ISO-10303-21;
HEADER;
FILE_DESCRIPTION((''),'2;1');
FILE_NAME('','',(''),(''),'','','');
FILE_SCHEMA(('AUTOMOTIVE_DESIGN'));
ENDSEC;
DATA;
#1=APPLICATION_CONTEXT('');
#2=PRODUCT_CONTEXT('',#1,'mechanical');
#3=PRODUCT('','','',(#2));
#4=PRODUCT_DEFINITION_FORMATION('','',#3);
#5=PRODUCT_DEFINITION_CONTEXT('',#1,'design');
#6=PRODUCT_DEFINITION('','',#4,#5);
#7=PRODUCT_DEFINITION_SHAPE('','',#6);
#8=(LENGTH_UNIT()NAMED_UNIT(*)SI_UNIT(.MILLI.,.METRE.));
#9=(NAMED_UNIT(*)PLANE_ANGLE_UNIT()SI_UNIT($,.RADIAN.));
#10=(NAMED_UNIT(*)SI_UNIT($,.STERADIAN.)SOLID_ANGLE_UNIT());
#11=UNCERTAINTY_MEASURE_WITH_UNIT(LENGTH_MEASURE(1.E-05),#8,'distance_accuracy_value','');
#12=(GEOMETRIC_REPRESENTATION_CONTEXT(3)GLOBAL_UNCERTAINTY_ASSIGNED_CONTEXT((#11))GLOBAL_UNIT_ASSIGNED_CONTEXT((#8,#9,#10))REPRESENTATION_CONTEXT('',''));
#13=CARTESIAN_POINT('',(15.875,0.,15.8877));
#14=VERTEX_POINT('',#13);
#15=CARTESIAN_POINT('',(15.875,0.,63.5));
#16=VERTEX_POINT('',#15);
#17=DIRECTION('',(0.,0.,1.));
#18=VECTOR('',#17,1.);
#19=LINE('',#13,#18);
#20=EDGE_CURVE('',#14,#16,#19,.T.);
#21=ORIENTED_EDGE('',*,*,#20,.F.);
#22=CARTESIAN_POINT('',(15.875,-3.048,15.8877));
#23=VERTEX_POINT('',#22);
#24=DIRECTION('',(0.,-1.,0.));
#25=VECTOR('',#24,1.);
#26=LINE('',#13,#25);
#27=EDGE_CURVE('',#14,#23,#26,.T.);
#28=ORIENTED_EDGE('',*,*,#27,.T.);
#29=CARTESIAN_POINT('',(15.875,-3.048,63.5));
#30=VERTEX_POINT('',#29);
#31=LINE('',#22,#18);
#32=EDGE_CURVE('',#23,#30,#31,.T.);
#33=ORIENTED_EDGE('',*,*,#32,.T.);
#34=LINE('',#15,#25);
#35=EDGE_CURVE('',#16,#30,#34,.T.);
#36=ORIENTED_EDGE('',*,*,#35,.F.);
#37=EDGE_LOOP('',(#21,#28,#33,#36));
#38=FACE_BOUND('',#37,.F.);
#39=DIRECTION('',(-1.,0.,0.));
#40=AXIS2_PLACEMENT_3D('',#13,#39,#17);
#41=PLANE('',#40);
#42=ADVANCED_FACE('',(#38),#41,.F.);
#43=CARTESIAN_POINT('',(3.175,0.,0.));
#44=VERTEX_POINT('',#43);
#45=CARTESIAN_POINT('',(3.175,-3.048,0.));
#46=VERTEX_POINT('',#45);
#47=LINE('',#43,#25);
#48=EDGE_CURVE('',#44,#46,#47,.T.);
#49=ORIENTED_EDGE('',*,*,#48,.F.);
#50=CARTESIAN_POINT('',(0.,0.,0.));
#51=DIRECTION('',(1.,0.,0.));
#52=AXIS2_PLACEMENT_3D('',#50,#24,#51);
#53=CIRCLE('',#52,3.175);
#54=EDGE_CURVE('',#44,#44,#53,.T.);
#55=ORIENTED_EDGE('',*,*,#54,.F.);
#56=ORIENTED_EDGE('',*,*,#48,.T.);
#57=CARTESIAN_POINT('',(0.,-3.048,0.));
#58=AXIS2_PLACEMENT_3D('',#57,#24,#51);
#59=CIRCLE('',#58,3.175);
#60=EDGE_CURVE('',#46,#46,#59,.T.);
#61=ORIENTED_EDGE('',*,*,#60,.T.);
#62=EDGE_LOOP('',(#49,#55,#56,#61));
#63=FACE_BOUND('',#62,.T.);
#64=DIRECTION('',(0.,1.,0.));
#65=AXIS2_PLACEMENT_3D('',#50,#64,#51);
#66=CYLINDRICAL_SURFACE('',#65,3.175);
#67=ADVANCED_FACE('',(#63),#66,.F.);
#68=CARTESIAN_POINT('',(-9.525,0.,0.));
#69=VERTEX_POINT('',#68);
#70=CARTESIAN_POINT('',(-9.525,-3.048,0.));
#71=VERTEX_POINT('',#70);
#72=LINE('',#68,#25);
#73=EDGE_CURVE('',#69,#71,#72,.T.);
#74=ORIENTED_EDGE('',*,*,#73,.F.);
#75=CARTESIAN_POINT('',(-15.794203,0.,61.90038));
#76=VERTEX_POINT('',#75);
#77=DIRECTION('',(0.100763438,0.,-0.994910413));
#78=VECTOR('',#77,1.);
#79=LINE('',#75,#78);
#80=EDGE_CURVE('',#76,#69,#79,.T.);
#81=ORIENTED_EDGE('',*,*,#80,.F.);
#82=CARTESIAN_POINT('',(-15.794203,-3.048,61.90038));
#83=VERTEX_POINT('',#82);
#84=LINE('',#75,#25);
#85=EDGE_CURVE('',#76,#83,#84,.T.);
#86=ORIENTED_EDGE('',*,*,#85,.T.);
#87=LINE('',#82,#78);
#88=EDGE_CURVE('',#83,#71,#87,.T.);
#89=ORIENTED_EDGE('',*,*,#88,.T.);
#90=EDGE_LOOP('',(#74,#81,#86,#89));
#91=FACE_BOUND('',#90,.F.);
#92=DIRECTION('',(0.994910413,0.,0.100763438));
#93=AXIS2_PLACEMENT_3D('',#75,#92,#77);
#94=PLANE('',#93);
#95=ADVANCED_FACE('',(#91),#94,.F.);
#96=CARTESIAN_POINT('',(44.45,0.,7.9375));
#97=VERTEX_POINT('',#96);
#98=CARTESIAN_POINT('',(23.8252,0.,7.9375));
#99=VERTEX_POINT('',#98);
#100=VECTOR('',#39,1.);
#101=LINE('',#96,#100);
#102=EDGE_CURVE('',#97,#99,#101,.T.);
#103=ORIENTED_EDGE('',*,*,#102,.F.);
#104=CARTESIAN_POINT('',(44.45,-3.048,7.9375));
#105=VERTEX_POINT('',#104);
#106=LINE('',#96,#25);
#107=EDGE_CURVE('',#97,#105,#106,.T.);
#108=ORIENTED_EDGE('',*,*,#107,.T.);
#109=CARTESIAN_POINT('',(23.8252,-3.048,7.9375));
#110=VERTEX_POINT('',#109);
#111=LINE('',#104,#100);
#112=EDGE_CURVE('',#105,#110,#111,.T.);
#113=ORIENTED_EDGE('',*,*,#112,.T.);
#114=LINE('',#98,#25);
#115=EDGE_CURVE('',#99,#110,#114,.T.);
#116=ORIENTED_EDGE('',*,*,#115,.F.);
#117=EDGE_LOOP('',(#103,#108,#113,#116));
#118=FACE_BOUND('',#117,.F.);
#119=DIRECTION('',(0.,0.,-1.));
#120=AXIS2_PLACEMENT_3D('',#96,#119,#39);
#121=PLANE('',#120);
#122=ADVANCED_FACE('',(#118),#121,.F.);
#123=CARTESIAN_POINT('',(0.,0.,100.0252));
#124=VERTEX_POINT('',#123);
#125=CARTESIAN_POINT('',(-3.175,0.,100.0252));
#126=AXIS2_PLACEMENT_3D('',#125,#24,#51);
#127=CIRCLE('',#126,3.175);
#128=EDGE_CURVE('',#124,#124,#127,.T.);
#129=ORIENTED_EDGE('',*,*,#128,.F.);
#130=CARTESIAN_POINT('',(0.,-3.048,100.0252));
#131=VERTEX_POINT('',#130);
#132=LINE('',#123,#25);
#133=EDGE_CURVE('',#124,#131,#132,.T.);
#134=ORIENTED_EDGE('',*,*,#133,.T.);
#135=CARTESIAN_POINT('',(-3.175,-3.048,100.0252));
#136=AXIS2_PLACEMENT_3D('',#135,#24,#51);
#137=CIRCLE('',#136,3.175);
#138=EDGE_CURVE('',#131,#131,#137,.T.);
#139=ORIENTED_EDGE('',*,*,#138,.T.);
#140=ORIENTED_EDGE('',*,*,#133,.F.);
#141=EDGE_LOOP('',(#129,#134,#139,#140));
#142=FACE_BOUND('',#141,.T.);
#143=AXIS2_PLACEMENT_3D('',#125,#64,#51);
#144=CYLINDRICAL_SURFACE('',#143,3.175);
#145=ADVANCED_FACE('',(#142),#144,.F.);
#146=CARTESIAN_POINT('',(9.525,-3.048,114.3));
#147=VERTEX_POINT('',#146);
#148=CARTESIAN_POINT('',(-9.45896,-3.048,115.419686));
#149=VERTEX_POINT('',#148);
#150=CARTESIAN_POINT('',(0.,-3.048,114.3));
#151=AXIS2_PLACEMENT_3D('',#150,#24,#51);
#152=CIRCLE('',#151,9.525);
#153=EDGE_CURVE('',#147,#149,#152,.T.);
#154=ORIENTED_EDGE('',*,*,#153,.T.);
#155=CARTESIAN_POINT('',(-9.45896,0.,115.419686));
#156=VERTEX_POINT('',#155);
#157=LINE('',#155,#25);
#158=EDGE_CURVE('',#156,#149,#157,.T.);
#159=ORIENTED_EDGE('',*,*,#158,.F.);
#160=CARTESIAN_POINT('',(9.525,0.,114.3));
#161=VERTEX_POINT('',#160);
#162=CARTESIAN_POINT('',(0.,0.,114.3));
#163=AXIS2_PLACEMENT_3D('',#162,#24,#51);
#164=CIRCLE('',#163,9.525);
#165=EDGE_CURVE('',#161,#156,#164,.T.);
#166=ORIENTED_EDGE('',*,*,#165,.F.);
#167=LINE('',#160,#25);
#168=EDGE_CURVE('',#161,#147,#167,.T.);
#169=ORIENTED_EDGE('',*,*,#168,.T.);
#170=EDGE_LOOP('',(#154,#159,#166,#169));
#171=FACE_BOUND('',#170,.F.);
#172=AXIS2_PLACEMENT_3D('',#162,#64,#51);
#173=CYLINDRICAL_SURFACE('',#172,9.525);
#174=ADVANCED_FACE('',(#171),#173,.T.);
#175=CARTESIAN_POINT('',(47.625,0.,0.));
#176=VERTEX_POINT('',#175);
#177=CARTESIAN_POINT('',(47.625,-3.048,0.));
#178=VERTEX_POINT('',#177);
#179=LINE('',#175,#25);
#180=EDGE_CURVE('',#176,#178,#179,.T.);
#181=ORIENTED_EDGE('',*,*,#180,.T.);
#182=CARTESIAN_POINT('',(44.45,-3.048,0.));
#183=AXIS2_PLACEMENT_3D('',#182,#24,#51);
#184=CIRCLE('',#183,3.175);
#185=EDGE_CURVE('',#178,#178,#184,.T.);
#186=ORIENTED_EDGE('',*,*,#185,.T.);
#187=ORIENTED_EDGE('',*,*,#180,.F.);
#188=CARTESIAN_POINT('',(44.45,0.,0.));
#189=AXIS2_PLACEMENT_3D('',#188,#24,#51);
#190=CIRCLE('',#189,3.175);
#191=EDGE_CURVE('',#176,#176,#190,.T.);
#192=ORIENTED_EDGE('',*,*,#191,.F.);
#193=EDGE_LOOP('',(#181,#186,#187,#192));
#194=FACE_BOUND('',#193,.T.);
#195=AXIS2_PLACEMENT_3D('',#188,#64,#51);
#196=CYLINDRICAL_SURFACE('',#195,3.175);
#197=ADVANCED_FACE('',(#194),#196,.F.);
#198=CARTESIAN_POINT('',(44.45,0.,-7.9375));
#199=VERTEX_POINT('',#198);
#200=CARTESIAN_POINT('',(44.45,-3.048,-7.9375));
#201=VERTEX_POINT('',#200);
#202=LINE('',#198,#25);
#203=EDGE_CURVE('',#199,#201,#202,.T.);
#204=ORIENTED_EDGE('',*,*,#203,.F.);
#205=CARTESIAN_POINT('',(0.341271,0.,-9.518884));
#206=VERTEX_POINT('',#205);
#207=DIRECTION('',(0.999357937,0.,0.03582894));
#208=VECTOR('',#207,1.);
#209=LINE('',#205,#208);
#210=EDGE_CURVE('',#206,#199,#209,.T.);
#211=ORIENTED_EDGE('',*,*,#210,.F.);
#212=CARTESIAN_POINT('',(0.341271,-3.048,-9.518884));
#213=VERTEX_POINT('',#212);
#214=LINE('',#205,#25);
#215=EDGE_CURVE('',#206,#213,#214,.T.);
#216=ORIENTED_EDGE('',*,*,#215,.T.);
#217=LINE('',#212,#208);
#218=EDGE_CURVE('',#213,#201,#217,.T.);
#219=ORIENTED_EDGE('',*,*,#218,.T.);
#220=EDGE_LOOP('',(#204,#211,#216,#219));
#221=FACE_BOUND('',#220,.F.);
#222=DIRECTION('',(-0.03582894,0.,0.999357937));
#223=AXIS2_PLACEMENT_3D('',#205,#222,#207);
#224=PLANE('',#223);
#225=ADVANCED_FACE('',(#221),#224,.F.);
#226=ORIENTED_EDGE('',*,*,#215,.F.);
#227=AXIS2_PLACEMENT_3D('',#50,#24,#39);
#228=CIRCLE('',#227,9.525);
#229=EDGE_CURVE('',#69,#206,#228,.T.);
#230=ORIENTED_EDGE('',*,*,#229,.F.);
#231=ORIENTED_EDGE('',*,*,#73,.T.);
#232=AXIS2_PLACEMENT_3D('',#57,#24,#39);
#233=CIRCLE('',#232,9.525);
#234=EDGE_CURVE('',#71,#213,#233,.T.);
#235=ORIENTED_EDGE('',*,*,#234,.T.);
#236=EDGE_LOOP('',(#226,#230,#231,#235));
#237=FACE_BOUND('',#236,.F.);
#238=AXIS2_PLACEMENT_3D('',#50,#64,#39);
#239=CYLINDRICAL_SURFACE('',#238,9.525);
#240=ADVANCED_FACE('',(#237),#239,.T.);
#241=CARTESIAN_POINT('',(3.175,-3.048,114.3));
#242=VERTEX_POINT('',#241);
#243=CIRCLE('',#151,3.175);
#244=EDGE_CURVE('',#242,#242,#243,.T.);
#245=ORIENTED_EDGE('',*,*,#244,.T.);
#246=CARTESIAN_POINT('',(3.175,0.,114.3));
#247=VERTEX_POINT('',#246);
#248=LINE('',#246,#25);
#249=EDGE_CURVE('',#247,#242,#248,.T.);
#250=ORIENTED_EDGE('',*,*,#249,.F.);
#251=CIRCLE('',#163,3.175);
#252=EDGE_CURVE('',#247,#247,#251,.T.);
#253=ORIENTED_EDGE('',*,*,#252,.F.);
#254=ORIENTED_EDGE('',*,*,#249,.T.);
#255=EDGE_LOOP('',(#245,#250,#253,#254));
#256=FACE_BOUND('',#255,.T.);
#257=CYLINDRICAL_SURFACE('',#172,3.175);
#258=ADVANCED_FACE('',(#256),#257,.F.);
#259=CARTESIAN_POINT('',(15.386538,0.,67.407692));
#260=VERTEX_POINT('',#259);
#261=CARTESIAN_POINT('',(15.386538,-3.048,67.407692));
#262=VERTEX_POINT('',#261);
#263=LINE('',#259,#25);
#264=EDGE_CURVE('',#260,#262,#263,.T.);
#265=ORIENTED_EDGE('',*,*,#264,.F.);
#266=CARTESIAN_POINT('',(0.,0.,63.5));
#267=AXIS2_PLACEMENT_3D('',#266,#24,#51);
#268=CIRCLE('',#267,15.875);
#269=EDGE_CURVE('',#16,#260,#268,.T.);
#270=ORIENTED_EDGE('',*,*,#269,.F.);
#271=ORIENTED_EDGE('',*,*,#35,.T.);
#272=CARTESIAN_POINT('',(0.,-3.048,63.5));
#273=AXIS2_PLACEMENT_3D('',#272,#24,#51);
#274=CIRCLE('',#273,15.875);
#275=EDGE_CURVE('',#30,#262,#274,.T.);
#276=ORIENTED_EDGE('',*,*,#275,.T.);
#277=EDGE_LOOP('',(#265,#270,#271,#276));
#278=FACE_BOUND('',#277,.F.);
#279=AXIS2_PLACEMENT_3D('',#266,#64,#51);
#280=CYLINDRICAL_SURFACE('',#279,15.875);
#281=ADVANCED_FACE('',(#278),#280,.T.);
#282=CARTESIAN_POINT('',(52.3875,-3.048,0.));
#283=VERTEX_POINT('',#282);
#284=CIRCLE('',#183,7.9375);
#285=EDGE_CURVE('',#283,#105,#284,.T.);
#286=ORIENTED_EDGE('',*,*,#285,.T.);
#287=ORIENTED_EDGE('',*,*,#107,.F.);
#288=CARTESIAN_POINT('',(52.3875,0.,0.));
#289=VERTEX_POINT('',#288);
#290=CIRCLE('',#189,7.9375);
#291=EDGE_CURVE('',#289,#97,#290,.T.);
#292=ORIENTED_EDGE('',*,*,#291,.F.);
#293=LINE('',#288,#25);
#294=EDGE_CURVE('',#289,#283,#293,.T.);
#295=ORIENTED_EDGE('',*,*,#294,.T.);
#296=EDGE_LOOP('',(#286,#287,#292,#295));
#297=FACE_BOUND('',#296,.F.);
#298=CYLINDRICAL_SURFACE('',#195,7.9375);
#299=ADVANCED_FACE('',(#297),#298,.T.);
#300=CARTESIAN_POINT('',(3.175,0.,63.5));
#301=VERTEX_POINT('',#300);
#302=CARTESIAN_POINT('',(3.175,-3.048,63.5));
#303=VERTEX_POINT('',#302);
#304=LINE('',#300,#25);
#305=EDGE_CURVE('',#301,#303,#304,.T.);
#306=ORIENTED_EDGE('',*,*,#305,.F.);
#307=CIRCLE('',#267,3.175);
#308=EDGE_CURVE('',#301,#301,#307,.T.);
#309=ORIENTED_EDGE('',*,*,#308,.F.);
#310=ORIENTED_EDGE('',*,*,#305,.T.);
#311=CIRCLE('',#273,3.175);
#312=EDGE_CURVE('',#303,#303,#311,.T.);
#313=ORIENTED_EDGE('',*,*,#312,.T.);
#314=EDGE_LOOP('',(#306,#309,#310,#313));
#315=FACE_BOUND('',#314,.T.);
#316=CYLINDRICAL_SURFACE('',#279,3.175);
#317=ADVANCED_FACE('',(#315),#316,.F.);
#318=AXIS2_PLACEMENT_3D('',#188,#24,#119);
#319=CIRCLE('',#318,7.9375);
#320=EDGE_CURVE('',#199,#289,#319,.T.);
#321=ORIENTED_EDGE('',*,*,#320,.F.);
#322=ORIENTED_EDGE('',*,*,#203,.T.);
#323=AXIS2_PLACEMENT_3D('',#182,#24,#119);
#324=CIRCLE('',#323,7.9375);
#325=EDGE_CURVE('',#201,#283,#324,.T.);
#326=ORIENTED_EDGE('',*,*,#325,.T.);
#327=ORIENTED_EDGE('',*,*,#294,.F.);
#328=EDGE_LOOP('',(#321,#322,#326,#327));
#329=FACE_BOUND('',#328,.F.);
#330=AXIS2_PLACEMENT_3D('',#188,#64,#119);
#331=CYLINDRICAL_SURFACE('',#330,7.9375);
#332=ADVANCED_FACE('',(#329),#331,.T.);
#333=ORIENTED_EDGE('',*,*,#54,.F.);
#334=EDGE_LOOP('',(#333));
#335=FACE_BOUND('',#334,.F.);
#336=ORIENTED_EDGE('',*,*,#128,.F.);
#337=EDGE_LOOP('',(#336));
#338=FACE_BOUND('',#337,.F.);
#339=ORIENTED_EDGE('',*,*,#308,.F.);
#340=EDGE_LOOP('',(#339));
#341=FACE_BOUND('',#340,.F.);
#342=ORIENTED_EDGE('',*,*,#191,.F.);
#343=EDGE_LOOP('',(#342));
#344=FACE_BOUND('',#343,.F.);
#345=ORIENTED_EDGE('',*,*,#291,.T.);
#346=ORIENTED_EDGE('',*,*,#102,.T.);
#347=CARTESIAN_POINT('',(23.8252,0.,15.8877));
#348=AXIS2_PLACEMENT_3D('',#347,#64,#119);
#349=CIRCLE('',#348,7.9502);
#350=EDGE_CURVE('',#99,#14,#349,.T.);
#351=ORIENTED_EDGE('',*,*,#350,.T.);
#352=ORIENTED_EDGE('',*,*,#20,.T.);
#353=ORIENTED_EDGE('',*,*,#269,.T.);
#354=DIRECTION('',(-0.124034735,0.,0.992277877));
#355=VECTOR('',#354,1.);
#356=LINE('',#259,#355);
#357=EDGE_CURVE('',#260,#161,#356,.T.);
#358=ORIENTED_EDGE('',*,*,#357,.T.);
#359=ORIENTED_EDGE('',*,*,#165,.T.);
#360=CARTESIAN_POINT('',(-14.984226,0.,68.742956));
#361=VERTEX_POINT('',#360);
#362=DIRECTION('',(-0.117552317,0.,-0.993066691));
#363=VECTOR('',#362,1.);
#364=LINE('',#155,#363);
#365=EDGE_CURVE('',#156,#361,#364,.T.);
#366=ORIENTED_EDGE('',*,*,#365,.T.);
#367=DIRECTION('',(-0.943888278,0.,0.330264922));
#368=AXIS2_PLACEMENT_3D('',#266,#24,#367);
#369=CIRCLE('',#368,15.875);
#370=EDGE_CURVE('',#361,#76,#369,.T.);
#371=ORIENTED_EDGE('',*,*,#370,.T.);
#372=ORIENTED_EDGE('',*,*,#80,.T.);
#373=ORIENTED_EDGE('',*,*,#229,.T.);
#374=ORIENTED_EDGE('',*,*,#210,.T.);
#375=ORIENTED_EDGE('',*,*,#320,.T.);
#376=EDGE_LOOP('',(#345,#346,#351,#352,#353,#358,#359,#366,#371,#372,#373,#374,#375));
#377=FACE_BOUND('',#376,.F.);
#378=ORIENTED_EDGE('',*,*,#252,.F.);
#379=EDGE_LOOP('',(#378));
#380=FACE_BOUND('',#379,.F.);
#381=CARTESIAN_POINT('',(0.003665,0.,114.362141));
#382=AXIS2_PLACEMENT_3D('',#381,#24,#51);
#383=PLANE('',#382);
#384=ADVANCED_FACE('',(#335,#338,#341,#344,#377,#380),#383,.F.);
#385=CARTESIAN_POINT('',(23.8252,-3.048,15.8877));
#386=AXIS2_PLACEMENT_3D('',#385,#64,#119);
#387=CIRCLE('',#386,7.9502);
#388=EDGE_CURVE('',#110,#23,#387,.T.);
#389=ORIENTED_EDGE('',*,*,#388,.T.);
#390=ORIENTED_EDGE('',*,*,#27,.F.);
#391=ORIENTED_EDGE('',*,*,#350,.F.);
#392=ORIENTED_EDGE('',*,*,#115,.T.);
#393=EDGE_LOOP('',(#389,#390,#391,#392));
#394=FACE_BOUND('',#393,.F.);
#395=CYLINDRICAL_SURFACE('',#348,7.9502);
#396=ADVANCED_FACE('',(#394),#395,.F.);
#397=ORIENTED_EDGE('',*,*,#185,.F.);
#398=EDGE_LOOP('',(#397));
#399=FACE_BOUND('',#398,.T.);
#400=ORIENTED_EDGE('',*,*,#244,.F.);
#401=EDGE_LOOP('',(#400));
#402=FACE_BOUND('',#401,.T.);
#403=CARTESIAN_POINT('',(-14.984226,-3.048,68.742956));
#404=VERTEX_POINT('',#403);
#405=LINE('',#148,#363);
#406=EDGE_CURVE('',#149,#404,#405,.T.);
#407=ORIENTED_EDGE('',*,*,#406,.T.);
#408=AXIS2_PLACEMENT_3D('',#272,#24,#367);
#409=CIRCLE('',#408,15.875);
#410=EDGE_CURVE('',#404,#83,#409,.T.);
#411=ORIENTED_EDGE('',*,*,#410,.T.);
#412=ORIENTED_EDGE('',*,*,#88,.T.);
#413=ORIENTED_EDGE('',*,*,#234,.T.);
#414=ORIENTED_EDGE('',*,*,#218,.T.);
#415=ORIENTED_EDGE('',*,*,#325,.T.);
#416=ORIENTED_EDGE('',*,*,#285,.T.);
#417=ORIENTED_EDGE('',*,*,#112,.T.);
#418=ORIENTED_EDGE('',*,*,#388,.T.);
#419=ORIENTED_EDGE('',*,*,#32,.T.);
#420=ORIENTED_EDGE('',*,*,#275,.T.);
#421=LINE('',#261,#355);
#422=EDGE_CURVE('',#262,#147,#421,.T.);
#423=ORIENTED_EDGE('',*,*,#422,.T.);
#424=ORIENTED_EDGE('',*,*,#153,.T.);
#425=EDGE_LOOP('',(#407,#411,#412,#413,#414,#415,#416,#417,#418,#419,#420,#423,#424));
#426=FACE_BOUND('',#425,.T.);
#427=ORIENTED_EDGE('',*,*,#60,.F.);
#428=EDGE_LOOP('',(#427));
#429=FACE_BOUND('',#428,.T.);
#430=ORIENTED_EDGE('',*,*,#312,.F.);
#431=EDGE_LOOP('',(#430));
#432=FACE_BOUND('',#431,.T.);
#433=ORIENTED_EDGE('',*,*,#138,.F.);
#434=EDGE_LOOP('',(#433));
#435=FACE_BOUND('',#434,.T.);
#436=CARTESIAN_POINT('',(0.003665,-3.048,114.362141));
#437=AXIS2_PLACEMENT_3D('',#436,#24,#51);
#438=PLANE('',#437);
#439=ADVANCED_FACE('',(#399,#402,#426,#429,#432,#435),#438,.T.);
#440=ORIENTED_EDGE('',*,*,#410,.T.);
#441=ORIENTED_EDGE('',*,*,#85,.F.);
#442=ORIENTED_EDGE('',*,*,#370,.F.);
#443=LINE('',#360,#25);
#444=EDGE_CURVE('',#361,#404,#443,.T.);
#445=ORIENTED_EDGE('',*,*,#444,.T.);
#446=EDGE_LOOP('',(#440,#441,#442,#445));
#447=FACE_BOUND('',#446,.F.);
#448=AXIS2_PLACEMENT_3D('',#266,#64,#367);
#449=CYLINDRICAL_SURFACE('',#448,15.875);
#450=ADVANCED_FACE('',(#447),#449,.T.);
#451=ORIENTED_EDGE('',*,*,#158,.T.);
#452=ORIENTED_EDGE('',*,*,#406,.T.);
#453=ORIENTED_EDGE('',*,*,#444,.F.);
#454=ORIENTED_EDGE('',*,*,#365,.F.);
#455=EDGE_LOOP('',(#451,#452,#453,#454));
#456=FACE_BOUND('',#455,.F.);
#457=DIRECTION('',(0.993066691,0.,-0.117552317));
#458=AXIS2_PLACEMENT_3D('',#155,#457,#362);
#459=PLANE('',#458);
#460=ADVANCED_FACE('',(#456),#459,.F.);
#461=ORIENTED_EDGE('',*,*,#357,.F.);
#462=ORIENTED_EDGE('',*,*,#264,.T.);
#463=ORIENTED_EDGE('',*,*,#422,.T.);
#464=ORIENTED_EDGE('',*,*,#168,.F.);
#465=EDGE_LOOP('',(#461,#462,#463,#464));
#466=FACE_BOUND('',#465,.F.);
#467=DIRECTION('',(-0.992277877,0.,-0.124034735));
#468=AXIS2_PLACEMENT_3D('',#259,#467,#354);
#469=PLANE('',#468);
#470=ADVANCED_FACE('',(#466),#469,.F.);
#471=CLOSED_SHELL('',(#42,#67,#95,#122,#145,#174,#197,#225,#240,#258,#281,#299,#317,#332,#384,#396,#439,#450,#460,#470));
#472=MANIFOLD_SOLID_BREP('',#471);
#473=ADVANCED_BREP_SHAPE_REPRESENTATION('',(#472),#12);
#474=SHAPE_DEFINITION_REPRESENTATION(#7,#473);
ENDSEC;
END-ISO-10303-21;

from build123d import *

# Parameters (mm, degrees)
F0_R     = 3.175
F1_DEPTH = 3.048


with BuildPart() as f1:
    # F0 (on Front) → F1 (new body)
    with BuildSketch(Plane.XZ):
        with BuildLine():
            ThreePointArc((-9.4589602313, 115.4196858236), (-0.5608158331, 104.7915242756), (9.525, 114.3))
            ThreePointArc((9.525, 114.3), (0.5608158331, 123.8084757244), (-9.4589602313, 115.4196858236))
        make_face()
        with Locations((0, 114.3)):
            Circle(F0_R, mode=Mode.SUBTRACT)
        with BuildLine():
            Line((15.3865384615, 67.4076923077), (9.525, 114.3))
            ThreePointArc((9.525, 114.3), (-0.5608158331, 104.7915242756), (-9.4589602313, 115.4196858236))
            Line((-9.4589602313, 115.4196858236), (-14.9842264132, 68.7429556358))
            ThreePointArc((-14.9842264132, 68.7429556358), (0.6972774089, 79.3596793541), (15.3865384615, 67.4076923077))
        make_face()
        with Locations((-3.175, 100.0252)):
            Circle(F0_R, mode=Mode.SUBTRACT)
        with BuildLine():
            Line((15.875, 63.5), (15.3865384615, 67.4076923077))
            ThreePointArc((15.3865384615, 67.4076923077), (0.6972774089, 79.3596793541), (-14.9842264132, 68.7429556358))
            Line((-14.9842264132, 68.7429556358), (-15.7942028036, 61.9003804205))
            ThreePointArc((-15.7942028036, 61.9003804205), (0.8008294116, 47.6452121662), (15.875, 63.5))
        make_face()
        with Locations((0, 63.5)):
            Circle(F0_R, mode=Mode.SUBTRACT)
        with BuildLine():
            ThreePointArc((15.875, 63.5), (15.7524112928, 65.4690514116), (15.3865384615, 67.4076923077))
            Line((15.3865384615, 67.4076923077), (15.875, 63.5))
        make_face()
        with BuildLine():
            Line((-15.7942028036, 61.9003804205), (-14.9842264132, 68.7429556358))
            ThreePointArc((-14.9842264132, 68.7429556358), (-15.7649337188, 65.3661430393), (-15.7942028036, 61.9003804205))
        make_face()
        with BuildLine():
            Line((15.875, 15.8877), (15.875, 63.5))
            ThreePointArc((15.875, 63.5), (0.8008294116, 47.6452121662), (-15.7942028036, 61.9003804205))
            Line((-15.7942028036, 61.9003804205), (-9.525, 0))
            ThreePointArc((-9.525, 0), (0, 9.525), (9.525, 0))
            ThreePointArc((9.525, 0), (6.854787681, -6.6134341191), (0.3412706881, -9.5188843526))
            Line((0.3412706881, -9.5188843526), (44.45, -7.9375))
            ThreePointArc((44.45, -7.9375), (36.5125, 0), (44.45, 7.9375))
            Line((44.45, 7.9375), (23.8252, 7.9375))
            ThreePointArc((23.8252, 7.9375), (18.2035596682, 10.2660596682), (15.875, 15.8877))
        make_face()
        with BuildLine():
            ThreePointArc((9.525, 0), (0, 9.525), (-9.525, 0))
            ThreePointArc((-9.525, 0), (-6.6134341191, -6.854787681), (0.3412706881, -9.5188843526))
            ThreePointArc((0.3412706881, -9.5188843526), (6.854787681, -6.6134341191), (9.525, 0))
        make_face()
        Circle(F0_R, mode=Mode.SUBTRACT)
        with BuildLine():
            ThreePointArc((52.3875, 0), (50.0626600757, 5.6126600757), (44.45, 7.9375))
            ThreePointArc((44.45, 7.9375), (36.5125, 0), (44.45, -7.9375))
            ThreePointArc((44.45, -7.9375), (50.0626600757, -5.6126600757), (52.3875, 0))
        make_face()
        with Locations((44.45, 0)):
            Circle(F0_R, mode=Mode.SUBTRACT)
    extrude(amount=F1_DEPTH)


solid = f1.part
